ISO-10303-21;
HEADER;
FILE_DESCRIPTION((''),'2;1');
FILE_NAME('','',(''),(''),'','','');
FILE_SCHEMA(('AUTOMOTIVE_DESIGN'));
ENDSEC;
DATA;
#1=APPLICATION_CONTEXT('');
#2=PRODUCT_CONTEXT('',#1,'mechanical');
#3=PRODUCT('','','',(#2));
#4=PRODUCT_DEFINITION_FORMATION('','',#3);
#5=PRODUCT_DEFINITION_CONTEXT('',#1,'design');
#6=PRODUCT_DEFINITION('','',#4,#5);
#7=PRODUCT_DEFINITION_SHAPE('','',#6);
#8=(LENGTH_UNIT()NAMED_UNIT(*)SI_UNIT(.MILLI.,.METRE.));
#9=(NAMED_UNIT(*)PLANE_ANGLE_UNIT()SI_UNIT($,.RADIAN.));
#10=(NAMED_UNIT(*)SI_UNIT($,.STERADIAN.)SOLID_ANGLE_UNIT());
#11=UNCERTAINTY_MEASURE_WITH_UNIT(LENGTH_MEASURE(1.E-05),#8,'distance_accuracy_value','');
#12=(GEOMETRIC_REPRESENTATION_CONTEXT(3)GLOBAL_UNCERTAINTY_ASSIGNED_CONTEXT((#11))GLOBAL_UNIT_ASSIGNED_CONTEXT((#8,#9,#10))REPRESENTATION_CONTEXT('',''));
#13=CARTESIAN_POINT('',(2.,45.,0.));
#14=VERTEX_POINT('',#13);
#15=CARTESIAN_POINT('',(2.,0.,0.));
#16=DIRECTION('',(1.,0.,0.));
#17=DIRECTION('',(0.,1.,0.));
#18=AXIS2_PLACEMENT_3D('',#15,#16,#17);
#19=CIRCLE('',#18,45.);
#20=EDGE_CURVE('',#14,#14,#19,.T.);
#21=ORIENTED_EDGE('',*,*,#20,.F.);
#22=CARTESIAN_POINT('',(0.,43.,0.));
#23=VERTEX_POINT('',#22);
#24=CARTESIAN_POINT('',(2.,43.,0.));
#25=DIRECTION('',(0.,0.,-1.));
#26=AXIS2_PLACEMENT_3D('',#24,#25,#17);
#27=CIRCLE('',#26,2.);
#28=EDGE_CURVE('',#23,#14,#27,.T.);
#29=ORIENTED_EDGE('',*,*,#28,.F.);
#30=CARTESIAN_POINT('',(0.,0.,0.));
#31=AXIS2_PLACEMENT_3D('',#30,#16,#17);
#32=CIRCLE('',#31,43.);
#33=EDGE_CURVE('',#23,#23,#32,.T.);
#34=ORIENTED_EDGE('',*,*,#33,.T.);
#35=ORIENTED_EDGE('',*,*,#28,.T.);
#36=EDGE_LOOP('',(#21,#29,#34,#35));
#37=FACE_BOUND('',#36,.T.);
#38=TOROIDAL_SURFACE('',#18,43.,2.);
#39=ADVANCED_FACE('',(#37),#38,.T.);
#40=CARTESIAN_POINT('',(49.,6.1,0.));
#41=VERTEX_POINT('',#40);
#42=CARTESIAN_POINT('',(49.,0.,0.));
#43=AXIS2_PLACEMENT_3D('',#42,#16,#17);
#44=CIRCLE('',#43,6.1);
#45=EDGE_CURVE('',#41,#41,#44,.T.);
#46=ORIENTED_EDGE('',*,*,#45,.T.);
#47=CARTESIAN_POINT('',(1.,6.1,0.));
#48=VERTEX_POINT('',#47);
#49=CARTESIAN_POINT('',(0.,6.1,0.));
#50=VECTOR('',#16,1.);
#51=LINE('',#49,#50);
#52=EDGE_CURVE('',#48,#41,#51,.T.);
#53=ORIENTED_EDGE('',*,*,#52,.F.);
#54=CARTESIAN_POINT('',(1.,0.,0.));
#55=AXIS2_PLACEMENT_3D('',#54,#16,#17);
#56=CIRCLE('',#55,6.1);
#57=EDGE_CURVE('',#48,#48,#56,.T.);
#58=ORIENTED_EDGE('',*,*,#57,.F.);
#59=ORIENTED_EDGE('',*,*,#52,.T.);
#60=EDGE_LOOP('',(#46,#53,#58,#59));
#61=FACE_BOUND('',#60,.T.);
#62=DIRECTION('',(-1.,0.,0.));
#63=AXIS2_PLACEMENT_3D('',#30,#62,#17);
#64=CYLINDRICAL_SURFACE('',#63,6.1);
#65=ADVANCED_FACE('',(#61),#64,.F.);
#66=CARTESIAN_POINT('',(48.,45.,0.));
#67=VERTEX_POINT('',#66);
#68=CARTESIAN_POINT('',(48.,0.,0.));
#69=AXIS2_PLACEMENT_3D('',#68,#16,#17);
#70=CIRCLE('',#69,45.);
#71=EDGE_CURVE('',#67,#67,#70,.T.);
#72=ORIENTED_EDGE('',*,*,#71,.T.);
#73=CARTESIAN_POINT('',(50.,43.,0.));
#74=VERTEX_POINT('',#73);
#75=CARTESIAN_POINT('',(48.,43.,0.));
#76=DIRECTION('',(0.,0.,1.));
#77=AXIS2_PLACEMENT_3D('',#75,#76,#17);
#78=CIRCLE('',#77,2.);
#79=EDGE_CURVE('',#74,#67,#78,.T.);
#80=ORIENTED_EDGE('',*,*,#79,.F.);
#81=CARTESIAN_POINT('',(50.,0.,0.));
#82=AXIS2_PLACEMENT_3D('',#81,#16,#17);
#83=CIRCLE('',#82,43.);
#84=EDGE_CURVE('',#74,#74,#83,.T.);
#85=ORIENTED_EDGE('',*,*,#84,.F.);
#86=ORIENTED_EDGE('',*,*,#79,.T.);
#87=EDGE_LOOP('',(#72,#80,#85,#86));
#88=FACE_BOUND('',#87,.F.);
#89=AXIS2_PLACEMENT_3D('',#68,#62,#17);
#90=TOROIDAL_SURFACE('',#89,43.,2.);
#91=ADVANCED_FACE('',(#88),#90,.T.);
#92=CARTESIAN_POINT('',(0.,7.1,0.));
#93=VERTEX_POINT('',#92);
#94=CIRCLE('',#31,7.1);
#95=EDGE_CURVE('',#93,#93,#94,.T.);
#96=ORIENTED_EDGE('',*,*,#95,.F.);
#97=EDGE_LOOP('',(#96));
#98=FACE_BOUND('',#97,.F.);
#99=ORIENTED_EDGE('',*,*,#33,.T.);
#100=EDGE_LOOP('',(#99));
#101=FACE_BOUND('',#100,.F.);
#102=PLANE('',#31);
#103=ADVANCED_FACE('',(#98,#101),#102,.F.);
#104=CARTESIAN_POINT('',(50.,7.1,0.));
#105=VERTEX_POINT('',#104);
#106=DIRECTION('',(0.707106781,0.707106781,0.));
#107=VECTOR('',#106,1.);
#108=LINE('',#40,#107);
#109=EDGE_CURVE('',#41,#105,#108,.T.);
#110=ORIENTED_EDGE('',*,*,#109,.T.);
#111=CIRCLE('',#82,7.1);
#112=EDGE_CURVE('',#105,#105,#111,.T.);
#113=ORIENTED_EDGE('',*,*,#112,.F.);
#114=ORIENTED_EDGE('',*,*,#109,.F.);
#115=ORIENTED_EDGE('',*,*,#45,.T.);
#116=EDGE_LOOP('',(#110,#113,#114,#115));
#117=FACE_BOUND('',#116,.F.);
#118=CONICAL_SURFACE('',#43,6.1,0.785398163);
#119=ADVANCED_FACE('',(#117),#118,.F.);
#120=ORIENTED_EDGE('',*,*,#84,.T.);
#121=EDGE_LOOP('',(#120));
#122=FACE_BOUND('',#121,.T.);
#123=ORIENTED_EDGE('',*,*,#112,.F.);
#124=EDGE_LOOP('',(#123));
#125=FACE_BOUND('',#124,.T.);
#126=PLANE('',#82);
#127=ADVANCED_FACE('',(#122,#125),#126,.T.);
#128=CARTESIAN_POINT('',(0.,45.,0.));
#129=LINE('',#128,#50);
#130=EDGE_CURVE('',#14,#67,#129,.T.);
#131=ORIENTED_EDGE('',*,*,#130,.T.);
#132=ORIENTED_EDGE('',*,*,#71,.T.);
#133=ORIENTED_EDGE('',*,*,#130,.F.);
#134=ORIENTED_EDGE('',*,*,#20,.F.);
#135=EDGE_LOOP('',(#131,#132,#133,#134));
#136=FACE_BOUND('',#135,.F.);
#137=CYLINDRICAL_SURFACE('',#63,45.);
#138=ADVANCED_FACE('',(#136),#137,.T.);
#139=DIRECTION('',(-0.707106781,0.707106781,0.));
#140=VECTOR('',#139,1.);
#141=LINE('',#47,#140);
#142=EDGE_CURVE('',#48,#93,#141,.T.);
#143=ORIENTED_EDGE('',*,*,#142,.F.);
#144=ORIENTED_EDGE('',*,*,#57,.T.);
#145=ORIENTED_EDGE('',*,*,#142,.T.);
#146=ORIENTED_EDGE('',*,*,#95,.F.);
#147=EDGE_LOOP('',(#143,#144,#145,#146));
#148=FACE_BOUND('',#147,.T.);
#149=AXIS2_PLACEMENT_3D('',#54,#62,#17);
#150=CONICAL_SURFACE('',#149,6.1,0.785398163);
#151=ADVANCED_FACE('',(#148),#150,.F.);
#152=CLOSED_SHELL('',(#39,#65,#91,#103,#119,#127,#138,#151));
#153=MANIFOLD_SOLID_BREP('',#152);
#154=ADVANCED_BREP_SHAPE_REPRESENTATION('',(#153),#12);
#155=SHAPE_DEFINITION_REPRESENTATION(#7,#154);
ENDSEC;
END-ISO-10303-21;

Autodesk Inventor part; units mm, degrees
ref_plane "YZ Plane" through (0, 0, 0) normal (1, 0, 0) x (0, 1, 0)
ref_plane "XZ Plane" through (0, 0, 0) normal (0, 1, 0) x (-1, 0, 0)
ref_plane "XY Plane" through (0, 0, 0) normal (0, 0, 1) x (1, 0, 0)
sketch "Sketch1" plane through (0, 0, 0) normal (1, 0, 0) x (0, 1, 0)
  circle A0 centre (0, 0) radius 45
  circle A1 centre (0, 0) radius 6.1
  dimension "d0" = 90
  dimension "d1" = 12.2
extrude "Extrusion1" add sketch "Sketch1" along normal blind 50
chamfer "Chamfer1" distance 1 angle 45 2 edges at (50, -6.1, 0) (0, -6.1, 0)
fillet "Fillet1" radius 2 2 edges at (0, -45, 0) (50, -45, 0)
properties part number "ciezarek" material "Iron, Cast"
